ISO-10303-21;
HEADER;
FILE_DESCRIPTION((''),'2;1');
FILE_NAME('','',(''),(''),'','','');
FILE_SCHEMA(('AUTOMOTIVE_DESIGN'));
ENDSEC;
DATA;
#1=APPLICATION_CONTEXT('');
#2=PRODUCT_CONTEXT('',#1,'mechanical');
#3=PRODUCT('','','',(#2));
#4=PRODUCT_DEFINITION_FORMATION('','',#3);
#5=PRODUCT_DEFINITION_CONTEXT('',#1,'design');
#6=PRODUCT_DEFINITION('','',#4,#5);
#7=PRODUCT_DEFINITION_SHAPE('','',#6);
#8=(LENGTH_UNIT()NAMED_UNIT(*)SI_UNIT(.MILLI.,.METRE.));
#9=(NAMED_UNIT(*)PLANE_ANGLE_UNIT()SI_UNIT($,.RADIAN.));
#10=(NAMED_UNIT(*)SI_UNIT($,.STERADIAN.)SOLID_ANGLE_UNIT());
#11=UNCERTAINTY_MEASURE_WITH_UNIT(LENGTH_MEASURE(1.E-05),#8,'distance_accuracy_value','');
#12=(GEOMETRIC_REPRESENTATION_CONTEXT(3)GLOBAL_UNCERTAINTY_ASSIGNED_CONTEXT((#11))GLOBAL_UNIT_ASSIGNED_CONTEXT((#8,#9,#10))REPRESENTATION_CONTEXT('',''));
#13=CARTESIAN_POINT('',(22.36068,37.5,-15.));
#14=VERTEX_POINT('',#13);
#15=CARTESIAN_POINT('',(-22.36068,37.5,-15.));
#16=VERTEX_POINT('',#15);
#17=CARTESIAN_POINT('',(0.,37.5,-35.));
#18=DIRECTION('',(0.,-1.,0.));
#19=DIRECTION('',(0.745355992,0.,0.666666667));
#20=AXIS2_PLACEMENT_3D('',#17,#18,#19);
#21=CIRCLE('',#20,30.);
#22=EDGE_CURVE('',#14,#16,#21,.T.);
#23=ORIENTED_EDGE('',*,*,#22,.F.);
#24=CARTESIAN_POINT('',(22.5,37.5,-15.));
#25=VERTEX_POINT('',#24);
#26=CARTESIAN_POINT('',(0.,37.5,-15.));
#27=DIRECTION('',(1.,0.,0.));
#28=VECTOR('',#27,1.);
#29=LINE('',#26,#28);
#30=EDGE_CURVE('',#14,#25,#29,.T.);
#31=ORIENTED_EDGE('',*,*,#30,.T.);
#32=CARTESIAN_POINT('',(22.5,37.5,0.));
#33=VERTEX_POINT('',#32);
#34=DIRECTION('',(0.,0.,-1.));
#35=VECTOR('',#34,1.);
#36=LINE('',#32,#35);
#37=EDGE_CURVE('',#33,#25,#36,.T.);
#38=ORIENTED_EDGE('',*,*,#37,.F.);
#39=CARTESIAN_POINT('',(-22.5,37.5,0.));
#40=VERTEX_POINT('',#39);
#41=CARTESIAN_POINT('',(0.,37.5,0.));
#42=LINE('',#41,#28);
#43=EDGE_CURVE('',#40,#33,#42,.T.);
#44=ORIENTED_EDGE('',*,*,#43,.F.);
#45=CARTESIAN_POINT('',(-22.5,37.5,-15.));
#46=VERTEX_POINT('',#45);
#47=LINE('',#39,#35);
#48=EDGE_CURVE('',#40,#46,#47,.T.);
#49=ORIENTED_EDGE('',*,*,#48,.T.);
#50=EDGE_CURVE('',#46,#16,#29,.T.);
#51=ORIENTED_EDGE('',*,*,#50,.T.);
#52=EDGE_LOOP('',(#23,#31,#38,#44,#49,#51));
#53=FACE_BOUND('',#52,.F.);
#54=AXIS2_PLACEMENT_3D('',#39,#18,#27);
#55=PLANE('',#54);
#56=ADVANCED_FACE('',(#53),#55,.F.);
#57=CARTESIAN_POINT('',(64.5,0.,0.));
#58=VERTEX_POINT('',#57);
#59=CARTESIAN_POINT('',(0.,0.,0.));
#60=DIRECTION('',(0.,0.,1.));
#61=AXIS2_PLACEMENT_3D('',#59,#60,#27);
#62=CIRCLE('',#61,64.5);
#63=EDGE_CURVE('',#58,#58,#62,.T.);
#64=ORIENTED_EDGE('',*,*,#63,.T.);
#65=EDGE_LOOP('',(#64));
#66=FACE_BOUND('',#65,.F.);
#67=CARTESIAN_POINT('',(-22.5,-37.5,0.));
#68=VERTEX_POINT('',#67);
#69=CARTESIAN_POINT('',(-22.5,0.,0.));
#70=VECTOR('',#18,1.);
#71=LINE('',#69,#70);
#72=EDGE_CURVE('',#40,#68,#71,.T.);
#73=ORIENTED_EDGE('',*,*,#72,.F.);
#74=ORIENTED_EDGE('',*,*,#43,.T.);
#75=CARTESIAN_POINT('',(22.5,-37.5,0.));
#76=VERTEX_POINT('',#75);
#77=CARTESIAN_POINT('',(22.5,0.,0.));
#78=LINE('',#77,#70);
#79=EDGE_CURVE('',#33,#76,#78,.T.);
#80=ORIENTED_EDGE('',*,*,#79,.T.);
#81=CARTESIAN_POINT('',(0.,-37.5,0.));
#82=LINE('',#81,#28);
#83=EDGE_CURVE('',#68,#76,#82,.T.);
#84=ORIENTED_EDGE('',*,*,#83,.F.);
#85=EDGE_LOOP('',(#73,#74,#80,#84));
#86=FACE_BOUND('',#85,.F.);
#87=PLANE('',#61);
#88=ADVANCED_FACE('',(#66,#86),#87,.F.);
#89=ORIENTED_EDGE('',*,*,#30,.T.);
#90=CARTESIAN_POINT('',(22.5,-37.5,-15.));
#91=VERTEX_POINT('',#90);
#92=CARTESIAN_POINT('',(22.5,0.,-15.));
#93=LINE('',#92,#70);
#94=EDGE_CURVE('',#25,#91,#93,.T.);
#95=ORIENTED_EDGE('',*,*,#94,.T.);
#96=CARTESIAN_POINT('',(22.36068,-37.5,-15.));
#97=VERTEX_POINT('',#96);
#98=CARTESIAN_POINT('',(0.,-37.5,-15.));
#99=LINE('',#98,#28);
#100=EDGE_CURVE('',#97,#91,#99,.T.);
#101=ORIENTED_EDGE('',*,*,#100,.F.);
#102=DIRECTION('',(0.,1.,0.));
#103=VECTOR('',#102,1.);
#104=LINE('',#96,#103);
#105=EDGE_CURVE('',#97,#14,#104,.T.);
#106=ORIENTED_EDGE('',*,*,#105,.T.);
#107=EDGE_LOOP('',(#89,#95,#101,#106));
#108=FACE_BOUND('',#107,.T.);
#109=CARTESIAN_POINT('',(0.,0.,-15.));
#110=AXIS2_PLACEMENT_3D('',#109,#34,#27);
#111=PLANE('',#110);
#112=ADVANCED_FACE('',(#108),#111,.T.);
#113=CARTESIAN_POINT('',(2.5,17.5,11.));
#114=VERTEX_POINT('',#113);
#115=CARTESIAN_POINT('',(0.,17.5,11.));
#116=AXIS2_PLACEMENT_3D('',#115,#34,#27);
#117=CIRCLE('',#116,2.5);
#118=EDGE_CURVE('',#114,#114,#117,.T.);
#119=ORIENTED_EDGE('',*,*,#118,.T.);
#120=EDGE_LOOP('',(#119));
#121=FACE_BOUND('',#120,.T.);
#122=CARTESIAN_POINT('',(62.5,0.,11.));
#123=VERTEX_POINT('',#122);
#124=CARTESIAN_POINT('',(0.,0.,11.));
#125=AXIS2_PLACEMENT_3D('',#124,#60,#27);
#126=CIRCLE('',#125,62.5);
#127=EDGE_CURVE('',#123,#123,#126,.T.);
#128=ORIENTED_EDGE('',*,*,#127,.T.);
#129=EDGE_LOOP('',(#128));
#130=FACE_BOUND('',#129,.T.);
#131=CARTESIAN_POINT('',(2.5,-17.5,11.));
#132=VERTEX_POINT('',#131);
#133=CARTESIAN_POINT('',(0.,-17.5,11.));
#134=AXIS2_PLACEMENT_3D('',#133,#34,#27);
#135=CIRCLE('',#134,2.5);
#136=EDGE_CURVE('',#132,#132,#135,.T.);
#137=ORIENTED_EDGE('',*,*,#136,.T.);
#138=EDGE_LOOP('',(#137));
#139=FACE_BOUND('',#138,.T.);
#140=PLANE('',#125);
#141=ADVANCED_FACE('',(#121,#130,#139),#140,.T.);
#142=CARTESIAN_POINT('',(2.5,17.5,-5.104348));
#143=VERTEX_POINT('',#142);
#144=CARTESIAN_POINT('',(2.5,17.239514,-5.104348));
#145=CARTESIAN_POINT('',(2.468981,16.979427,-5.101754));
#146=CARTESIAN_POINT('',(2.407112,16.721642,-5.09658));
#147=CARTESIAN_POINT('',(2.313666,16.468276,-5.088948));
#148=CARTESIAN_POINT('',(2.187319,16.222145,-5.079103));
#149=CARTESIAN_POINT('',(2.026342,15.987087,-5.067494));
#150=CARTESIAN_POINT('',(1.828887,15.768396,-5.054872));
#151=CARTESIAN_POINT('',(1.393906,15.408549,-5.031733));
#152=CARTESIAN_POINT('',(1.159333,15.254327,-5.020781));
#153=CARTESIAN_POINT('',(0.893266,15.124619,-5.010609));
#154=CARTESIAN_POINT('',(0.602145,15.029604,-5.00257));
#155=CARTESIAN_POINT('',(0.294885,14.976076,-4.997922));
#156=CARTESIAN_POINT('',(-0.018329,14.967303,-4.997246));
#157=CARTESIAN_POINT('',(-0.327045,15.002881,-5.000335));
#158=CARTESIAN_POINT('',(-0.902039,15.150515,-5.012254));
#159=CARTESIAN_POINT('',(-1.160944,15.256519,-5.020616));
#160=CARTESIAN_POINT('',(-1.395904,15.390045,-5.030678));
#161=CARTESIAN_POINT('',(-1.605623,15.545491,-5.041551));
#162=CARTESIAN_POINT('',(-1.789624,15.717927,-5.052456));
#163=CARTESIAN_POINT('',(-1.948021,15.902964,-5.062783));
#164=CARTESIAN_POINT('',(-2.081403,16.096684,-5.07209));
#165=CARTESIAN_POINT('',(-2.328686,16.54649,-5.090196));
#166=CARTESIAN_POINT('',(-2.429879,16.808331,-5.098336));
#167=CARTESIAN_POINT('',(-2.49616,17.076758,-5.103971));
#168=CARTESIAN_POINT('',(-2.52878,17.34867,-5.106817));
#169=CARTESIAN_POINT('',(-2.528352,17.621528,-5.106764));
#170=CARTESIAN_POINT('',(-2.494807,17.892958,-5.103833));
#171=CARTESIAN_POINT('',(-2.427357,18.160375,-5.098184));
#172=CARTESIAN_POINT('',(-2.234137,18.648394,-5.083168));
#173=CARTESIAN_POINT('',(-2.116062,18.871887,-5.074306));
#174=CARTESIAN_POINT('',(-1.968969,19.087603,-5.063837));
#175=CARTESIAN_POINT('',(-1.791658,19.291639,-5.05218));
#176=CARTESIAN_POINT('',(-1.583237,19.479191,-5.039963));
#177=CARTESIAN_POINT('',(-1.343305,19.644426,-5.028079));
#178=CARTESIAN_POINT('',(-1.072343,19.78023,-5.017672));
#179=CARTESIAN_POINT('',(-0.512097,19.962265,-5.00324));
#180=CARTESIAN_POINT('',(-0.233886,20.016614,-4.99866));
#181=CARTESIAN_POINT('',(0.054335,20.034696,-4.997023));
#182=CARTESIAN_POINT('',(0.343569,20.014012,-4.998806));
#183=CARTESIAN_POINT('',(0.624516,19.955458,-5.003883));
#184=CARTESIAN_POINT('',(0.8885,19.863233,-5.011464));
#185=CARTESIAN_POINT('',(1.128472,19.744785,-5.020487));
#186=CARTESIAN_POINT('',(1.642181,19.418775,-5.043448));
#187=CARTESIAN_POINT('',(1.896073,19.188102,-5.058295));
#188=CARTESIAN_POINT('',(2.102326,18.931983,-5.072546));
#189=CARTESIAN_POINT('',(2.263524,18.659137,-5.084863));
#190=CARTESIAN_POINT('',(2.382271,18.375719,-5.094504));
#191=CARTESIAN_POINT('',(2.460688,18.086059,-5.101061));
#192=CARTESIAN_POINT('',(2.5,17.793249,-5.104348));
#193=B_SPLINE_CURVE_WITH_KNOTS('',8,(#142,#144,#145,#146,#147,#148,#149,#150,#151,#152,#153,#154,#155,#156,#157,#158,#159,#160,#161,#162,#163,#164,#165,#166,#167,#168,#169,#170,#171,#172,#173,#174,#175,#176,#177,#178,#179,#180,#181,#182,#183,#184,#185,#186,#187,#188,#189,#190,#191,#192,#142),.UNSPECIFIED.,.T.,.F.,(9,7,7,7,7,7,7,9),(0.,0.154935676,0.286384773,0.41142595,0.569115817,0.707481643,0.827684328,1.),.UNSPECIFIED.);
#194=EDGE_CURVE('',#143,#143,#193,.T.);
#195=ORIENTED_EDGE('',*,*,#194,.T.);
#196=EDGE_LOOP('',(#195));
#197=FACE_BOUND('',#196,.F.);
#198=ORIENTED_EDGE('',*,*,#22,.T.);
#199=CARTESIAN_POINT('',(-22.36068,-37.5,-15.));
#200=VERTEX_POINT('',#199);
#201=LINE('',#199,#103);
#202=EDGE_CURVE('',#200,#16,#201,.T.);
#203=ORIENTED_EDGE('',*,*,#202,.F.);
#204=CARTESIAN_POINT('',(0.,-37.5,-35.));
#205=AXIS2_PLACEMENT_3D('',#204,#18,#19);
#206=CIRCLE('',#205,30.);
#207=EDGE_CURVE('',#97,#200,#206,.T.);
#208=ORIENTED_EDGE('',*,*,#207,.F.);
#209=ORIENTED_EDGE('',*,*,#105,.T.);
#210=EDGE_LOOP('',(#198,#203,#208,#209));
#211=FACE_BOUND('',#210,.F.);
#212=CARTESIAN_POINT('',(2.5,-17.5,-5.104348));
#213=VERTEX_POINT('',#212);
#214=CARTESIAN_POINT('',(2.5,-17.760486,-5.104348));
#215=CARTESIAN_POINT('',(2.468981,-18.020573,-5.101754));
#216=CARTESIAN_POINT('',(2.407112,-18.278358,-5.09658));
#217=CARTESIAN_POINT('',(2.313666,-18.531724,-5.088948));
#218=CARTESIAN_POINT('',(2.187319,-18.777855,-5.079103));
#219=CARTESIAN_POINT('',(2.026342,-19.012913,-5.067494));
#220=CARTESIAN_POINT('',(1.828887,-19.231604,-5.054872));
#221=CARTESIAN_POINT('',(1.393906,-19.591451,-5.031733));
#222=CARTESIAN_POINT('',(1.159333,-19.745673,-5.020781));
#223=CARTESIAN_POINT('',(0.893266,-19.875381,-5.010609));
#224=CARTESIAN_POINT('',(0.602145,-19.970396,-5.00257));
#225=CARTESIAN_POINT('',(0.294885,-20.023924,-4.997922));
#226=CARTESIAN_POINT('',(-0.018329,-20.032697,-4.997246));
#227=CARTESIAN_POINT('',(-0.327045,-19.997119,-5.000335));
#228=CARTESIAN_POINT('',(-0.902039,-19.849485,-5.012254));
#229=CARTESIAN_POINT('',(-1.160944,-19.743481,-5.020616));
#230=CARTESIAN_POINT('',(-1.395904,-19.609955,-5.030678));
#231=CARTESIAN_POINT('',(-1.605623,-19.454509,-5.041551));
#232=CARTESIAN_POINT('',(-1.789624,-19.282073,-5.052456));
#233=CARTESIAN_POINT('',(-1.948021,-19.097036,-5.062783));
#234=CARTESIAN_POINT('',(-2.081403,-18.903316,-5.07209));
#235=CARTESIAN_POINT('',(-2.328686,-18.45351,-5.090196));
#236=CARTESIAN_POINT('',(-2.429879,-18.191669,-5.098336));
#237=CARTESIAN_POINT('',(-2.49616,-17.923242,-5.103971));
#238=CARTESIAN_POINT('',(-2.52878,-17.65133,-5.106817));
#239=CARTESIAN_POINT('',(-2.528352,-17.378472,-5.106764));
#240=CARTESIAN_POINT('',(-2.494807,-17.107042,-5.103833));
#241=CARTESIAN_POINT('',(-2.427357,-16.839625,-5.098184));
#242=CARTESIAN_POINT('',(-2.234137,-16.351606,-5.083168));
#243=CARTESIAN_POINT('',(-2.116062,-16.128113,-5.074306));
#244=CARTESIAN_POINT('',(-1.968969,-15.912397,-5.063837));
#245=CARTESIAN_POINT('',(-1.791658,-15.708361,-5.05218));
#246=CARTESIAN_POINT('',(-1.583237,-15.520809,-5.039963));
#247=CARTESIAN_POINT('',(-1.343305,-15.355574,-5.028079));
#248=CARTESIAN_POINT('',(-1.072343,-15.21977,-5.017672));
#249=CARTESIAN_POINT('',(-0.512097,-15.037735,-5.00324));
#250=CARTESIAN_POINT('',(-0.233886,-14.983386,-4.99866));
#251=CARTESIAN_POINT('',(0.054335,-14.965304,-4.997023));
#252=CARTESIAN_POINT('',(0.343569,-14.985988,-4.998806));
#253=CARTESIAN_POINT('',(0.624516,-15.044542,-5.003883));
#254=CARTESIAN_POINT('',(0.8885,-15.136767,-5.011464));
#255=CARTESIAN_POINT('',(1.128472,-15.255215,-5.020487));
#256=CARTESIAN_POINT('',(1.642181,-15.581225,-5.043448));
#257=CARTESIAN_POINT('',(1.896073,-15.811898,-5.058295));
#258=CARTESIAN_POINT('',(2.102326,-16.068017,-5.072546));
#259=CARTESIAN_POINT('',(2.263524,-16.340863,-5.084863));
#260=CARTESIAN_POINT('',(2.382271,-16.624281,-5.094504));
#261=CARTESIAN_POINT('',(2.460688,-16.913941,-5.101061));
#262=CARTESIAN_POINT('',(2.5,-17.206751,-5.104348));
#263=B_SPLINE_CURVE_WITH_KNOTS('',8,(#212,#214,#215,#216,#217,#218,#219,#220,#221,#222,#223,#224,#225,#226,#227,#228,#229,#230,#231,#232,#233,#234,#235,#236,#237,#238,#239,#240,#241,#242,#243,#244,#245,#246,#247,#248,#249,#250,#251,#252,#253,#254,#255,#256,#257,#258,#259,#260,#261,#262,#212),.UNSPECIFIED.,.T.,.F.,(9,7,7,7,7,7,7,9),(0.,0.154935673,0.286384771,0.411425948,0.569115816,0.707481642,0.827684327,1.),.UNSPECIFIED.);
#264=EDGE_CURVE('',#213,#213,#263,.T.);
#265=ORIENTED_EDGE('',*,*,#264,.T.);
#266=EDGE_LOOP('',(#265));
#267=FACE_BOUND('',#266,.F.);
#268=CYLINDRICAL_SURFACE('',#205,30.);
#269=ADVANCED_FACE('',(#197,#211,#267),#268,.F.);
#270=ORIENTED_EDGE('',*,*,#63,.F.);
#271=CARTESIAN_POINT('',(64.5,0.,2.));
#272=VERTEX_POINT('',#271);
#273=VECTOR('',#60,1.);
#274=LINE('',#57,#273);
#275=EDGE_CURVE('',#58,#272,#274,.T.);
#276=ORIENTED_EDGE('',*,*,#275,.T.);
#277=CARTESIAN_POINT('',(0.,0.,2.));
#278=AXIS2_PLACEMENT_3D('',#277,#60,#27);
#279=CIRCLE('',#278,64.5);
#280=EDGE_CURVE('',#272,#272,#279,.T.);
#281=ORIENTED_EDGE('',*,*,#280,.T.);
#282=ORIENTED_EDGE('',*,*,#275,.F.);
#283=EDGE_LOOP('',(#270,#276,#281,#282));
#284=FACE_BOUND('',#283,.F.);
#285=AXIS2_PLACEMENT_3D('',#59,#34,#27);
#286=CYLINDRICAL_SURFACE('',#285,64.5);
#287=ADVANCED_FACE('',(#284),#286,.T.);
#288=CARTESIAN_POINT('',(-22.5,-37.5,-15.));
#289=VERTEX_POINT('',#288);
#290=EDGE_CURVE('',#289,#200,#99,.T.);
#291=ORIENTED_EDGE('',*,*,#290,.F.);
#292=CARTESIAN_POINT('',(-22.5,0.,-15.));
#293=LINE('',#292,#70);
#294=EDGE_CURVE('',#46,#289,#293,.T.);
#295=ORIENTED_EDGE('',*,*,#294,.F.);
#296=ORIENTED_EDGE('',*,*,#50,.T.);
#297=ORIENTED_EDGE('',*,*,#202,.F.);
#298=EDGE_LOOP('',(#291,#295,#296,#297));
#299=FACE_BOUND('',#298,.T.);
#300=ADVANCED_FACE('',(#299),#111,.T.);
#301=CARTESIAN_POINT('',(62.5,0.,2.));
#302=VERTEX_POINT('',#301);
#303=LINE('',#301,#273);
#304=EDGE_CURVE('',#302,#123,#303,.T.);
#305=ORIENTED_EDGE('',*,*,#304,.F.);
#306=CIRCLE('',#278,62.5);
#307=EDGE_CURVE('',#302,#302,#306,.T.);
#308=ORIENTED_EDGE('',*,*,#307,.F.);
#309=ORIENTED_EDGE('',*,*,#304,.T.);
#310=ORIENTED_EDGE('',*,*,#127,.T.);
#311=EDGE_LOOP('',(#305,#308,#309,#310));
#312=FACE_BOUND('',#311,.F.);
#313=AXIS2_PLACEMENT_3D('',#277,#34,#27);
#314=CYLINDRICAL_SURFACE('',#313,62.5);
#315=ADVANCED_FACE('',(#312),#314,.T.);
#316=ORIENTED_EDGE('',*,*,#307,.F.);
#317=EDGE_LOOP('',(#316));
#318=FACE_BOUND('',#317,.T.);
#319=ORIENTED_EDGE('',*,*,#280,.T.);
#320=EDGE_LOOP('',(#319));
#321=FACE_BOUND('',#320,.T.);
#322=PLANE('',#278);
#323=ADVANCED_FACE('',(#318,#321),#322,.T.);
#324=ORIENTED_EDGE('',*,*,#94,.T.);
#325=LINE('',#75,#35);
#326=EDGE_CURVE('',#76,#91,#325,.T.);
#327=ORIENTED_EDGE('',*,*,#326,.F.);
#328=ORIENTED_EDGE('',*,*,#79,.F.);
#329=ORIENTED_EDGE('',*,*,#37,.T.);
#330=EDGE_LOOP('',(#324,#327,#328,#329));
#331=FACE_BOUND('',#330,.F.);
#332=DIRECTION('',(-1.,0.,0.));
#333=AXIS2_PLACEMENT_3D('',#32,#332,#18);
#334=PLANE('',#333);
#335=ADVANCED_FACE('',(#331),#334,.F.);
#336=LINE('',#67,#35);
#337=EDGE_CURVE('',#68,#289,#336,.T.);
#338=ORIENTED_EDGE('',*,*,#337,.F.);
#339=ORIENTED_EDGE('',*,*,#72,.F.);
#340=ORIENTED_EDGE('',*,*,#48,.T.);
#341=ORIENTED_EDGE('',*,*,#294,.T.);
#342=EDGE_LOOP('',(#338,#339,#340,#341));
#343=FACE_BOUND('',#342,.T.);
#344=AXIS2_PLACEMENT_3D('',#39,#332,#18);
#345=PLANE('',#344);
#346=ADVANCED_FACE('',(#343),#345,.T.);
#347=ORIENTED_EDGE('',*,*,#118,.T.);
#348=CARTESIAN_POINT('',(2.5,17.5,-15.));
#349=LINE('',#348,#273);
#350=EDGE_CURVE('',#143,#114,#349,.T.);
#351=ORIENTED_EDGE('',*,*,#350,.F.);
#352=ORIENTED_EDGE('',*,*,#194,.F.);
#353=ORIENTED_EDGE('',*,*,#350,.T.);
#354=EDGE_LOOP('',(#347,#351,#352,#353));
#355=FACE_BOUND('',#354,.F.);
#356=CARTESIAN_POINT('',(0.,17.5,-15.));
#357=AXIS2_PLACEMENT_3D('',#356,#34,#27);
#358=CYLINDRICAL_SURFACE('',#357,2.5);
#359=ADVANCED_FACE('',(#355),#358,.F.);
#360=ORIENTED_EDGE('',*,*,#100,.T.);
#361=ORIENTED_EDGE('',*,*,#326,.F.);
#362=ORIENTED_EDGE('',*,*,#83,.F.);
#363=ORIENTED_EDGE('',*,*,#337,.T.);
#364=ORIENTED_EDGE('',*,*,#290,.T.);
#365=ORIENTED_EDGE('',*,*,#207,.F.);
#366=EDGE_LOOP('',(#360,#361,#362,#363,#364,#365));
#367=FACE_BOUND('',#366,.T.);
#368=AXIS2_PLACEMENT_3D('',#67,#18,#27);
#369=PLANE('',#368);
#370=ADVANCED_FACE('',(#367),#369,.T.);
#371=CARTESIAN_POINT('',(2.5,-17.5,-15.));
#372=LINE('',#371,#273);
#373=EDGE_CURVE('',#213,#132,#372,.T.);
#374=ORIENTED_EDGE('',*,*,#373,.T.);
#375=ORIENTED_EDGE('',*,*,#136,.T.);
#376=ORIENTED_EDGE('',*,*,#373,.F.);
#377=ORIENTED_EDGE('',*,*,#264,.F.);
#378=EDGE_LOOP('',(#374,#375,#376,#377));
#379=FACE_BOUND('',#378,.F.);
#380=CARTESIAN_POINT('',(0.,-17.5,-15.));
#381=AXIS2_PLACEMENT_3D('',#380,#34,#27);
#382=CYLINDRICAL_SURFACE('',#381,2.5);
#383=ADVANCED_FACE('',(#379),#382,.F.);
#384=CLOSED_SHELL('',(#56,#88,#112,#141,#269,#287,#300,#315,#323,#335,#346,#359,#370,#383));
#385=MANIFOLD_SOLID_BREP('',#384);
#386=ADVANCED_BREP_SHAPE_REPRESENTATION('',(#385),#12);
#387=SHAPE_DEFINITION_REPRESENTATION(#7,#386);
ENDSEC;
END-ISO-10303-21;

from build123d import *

# Parameters (mm, degrees)
F0_R      = 64.5
F1_DEPTH  = 2
F2_R      = 62.5
F3_DEPTH  = 9
F4_W      = 45
F4_H      = 75
F5_DEPTH  = 15
F8_DEPTH  = 75
F9_R      = 2.5
F10_DEPTH = 35


with BuildPart() as f1:
    # F0 (on Top) → F1 (new body)
    with BuildSketch(Plane.XY):
        Circle(F0_R)
    extrude(amount=F1_DEPTH)

    # F2 (on face) → F3 (join)
    with BuildSketch(Plane.XY.offset(2)):
        Circle(F2_R)
    extrude(amount=F3_DEPTH)

    # F4 (on face) → F5 (join)
    with BuildSketch(Plane(origin=(0, 0, 0), x_dir=(1, 0, 0), z_dir=(0, 0, -1))):
        Rectangle(F4_W, F4_H)
    extrude(amount=F5_DEPTH)

    # F7 (on face) → F8 (cut)
    with BuildSketch(Plane.XZ.offset(37.5)):
        with BuildLine():
            Line((-22.360679775, -15), (22.360679775, -15))
            ThreePointArc((22.360679775, -15), (0, -5), (-22.360679775, -15))
        make_face()
    extrude(amount=-F8_DEPTH, mode=Mode.SUBTRACT)

    # F9 (on face) → F10 (cut)
    with BuildSketch(Plane(origin=(0, 0, -15), x_dir=(1, 0, 0), z_dir=(0, 0, -1))):
        with Locations((0, 17.5)):
            Circle(F9_R)
        with Locations((0, -17.5)):
            Circle(F9_R)
    extrude(amount=-F10_DEPTH, mode=Mode.SUBTRACT)


solid = f1.part
